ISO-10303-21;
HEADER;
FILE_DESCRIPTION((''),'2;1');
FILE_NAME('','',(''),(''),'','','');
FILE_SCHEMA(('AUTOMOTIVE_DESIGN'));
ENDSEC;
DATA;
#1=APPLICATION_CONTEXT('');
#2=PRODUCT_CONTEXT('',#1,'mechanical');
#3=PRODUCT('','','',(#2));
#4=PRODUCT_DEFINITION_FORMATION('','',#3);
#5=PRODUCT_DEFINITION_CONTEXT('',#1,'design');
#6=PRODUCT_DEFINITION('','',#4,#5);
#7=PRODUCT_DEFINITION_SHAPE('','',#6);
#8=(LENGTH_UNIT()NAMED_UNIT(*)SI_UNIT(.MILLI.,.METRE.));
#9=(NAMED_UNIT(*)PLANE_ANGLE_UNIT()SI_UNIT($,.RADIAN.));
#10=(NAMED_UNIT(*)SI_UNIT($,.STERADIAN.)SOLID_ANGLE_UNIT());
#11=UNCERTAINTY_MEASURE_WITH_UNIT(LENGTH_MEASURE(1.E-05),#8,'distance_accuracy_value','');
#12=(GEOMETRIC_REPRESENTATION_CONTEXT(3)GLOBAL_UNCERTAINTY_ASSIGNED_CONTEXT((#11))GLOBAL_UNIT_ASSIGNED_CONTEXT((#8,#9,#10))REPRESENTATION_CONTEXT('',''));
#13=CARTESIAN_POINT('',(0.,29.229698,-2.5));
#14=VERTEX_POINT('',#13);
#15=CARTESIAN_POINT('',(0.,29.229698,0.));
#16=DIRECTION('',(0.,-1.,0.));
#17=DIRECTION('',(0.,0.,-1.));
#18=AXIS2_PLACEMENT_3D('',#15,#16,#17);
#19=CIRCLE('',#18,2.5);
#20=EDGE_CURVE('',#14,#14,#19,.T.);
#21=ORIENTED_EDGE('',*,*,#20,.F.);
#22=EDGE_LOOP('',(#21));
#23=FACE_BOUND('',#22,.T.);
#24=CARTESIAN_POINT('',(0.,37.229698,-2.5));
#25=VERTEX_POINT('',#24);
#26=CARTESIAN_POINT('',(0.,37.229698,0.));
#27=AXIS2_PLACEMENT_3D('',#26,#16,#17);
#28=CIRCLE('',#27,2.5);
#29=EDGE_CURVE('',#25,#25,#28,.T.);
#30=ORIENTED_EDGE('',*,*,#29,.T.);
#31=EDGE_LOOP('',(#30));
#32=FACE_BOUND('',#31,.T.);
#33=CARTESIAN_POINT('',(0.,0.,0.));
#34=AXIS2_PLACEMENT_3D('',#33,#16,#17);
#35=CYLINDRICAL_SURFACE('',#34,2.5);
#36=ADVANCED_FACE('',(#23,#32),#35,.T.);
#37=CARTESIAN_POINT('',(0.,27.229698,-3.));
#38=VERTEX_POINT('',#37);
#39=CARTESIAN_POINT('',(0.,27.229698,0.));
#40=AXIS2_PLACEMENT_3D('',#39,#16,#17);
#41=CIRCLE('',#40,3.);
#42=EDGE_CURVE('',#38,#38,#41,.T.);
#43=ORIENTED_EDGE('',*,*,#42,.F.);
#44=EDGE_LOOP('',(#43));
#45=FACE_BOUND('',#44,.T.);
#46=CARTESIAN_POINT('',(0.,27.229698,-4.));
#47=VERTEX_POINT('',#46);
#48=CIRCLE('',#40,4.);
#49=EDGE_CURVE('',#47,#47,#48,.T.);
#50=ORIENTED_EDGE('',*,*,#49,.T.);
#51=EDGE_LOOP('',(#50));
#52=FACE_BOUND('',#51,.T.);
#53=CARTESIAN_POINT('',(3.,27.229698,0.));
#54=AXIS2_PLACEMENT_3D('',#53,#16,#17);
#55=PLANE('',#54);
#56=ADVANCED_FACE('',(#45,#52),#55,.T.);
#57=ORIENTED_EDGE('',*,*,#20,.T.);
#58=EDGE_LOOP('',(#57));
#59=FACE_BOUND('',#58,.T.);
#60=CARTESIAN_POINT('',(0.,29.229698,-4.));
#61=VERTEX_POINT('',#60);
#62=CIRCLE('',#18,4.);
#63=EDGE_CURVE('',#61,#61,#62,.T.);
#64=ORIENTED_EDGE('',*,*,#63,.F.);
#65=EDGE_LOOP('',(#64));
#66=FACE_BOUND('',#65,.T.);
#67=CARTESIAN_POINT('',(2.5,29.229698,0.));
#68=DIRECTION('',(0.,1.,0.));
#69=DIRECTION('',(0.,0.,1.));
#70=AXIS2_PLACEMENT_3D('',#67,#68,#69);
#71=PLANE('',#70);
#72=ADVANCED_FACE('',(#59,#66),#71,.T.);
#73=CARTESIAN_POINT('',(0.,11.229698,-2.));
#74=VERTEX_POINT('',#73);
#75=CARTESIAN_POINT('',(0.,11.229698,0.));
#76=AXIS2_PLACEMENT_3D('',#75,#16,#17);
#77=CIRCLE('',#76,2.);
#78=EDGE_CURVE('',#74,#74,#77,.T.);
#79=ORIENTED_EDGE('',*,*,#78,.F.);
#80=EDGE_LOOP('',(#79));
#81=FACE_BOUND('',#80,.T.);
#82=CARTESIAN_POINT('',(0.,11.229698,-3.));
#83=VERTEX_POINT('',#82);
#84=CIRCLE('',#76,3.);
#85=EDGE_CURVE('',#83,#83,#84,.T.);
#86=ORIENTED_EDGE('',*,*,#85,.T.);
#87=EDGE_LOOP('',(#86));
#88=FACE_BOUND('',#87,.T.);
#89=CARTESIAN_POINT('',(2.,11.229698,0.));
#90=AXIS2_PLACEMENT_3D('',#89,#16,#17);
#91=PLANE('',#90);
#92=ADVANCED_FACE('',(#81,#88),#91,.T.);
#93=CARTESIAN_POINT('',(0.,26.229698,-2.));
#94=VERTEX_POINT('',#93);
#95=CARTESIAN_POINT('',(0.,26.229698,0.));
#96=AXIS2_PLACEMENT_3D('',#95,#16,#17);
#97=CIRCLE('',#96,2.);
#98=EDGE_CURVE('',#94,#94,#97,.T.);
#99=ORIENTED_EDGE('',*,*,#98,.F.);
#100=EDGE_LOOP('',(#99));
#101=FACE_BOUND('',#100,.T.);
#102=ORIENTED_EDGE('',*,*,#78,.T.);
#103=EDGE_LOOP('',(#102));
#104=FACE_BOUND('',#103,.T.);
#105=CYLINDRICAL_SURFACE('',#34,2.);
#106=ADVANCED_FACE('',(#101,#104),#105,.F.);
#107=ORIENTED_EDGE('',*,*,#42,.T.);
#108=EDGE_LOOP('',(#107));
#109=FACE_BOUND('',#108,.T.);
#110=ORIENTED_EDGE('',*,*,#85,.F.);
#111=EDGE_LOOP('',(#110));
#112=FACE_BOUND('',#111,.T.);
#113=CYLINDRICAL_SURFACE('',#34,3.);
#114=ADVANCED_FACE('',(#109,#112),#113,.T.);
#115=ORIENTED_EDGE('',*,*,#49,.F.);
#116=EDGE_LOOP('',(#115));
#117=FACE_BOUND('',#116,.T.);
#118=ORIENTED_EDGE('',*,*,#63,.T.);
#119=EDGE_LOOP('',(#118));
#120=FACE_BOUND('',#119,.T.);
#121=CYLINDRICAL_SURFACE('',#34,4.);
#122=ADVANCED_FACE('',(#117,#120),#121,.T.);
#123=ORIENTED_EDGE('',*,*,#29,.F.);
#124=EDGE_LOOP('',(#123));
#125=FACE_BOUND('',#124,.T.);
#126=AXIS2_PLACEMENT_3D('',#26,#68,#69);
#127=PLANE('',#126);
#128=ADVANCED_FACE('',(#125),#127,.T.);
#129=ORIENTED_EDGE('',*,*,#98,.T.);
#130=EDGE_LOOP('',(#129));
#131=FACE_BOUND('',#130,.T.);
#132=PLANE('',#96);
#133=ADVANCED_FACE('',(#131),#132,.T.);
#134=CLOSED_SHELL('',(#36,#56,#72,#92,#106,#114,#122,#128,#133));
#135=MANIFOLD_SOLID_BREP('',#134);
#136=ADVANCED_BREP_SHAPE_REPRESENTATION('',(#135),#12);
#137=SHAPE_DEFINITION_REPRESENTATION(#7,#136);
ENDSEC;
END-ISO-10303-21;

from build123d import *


with BuildPart() as part:
    # Esquisse1 → Révolution1 (revolve)
    with BuildSketch(Plane.XY):
        Polygon((4, 27.229697987), (4, 29.229697987), (2.5, 29.229697987), (2.5, 37.229697987), (0, 37.229697987), (0, 26.229697987), (2, 26.229697987), (2, 11.229697987), (3, 11.229697987), (3, 27.229697987), align=None)
    revolve(axis=Axis((0, 0, 0), (0, 1, 0)))


solid = part.part
